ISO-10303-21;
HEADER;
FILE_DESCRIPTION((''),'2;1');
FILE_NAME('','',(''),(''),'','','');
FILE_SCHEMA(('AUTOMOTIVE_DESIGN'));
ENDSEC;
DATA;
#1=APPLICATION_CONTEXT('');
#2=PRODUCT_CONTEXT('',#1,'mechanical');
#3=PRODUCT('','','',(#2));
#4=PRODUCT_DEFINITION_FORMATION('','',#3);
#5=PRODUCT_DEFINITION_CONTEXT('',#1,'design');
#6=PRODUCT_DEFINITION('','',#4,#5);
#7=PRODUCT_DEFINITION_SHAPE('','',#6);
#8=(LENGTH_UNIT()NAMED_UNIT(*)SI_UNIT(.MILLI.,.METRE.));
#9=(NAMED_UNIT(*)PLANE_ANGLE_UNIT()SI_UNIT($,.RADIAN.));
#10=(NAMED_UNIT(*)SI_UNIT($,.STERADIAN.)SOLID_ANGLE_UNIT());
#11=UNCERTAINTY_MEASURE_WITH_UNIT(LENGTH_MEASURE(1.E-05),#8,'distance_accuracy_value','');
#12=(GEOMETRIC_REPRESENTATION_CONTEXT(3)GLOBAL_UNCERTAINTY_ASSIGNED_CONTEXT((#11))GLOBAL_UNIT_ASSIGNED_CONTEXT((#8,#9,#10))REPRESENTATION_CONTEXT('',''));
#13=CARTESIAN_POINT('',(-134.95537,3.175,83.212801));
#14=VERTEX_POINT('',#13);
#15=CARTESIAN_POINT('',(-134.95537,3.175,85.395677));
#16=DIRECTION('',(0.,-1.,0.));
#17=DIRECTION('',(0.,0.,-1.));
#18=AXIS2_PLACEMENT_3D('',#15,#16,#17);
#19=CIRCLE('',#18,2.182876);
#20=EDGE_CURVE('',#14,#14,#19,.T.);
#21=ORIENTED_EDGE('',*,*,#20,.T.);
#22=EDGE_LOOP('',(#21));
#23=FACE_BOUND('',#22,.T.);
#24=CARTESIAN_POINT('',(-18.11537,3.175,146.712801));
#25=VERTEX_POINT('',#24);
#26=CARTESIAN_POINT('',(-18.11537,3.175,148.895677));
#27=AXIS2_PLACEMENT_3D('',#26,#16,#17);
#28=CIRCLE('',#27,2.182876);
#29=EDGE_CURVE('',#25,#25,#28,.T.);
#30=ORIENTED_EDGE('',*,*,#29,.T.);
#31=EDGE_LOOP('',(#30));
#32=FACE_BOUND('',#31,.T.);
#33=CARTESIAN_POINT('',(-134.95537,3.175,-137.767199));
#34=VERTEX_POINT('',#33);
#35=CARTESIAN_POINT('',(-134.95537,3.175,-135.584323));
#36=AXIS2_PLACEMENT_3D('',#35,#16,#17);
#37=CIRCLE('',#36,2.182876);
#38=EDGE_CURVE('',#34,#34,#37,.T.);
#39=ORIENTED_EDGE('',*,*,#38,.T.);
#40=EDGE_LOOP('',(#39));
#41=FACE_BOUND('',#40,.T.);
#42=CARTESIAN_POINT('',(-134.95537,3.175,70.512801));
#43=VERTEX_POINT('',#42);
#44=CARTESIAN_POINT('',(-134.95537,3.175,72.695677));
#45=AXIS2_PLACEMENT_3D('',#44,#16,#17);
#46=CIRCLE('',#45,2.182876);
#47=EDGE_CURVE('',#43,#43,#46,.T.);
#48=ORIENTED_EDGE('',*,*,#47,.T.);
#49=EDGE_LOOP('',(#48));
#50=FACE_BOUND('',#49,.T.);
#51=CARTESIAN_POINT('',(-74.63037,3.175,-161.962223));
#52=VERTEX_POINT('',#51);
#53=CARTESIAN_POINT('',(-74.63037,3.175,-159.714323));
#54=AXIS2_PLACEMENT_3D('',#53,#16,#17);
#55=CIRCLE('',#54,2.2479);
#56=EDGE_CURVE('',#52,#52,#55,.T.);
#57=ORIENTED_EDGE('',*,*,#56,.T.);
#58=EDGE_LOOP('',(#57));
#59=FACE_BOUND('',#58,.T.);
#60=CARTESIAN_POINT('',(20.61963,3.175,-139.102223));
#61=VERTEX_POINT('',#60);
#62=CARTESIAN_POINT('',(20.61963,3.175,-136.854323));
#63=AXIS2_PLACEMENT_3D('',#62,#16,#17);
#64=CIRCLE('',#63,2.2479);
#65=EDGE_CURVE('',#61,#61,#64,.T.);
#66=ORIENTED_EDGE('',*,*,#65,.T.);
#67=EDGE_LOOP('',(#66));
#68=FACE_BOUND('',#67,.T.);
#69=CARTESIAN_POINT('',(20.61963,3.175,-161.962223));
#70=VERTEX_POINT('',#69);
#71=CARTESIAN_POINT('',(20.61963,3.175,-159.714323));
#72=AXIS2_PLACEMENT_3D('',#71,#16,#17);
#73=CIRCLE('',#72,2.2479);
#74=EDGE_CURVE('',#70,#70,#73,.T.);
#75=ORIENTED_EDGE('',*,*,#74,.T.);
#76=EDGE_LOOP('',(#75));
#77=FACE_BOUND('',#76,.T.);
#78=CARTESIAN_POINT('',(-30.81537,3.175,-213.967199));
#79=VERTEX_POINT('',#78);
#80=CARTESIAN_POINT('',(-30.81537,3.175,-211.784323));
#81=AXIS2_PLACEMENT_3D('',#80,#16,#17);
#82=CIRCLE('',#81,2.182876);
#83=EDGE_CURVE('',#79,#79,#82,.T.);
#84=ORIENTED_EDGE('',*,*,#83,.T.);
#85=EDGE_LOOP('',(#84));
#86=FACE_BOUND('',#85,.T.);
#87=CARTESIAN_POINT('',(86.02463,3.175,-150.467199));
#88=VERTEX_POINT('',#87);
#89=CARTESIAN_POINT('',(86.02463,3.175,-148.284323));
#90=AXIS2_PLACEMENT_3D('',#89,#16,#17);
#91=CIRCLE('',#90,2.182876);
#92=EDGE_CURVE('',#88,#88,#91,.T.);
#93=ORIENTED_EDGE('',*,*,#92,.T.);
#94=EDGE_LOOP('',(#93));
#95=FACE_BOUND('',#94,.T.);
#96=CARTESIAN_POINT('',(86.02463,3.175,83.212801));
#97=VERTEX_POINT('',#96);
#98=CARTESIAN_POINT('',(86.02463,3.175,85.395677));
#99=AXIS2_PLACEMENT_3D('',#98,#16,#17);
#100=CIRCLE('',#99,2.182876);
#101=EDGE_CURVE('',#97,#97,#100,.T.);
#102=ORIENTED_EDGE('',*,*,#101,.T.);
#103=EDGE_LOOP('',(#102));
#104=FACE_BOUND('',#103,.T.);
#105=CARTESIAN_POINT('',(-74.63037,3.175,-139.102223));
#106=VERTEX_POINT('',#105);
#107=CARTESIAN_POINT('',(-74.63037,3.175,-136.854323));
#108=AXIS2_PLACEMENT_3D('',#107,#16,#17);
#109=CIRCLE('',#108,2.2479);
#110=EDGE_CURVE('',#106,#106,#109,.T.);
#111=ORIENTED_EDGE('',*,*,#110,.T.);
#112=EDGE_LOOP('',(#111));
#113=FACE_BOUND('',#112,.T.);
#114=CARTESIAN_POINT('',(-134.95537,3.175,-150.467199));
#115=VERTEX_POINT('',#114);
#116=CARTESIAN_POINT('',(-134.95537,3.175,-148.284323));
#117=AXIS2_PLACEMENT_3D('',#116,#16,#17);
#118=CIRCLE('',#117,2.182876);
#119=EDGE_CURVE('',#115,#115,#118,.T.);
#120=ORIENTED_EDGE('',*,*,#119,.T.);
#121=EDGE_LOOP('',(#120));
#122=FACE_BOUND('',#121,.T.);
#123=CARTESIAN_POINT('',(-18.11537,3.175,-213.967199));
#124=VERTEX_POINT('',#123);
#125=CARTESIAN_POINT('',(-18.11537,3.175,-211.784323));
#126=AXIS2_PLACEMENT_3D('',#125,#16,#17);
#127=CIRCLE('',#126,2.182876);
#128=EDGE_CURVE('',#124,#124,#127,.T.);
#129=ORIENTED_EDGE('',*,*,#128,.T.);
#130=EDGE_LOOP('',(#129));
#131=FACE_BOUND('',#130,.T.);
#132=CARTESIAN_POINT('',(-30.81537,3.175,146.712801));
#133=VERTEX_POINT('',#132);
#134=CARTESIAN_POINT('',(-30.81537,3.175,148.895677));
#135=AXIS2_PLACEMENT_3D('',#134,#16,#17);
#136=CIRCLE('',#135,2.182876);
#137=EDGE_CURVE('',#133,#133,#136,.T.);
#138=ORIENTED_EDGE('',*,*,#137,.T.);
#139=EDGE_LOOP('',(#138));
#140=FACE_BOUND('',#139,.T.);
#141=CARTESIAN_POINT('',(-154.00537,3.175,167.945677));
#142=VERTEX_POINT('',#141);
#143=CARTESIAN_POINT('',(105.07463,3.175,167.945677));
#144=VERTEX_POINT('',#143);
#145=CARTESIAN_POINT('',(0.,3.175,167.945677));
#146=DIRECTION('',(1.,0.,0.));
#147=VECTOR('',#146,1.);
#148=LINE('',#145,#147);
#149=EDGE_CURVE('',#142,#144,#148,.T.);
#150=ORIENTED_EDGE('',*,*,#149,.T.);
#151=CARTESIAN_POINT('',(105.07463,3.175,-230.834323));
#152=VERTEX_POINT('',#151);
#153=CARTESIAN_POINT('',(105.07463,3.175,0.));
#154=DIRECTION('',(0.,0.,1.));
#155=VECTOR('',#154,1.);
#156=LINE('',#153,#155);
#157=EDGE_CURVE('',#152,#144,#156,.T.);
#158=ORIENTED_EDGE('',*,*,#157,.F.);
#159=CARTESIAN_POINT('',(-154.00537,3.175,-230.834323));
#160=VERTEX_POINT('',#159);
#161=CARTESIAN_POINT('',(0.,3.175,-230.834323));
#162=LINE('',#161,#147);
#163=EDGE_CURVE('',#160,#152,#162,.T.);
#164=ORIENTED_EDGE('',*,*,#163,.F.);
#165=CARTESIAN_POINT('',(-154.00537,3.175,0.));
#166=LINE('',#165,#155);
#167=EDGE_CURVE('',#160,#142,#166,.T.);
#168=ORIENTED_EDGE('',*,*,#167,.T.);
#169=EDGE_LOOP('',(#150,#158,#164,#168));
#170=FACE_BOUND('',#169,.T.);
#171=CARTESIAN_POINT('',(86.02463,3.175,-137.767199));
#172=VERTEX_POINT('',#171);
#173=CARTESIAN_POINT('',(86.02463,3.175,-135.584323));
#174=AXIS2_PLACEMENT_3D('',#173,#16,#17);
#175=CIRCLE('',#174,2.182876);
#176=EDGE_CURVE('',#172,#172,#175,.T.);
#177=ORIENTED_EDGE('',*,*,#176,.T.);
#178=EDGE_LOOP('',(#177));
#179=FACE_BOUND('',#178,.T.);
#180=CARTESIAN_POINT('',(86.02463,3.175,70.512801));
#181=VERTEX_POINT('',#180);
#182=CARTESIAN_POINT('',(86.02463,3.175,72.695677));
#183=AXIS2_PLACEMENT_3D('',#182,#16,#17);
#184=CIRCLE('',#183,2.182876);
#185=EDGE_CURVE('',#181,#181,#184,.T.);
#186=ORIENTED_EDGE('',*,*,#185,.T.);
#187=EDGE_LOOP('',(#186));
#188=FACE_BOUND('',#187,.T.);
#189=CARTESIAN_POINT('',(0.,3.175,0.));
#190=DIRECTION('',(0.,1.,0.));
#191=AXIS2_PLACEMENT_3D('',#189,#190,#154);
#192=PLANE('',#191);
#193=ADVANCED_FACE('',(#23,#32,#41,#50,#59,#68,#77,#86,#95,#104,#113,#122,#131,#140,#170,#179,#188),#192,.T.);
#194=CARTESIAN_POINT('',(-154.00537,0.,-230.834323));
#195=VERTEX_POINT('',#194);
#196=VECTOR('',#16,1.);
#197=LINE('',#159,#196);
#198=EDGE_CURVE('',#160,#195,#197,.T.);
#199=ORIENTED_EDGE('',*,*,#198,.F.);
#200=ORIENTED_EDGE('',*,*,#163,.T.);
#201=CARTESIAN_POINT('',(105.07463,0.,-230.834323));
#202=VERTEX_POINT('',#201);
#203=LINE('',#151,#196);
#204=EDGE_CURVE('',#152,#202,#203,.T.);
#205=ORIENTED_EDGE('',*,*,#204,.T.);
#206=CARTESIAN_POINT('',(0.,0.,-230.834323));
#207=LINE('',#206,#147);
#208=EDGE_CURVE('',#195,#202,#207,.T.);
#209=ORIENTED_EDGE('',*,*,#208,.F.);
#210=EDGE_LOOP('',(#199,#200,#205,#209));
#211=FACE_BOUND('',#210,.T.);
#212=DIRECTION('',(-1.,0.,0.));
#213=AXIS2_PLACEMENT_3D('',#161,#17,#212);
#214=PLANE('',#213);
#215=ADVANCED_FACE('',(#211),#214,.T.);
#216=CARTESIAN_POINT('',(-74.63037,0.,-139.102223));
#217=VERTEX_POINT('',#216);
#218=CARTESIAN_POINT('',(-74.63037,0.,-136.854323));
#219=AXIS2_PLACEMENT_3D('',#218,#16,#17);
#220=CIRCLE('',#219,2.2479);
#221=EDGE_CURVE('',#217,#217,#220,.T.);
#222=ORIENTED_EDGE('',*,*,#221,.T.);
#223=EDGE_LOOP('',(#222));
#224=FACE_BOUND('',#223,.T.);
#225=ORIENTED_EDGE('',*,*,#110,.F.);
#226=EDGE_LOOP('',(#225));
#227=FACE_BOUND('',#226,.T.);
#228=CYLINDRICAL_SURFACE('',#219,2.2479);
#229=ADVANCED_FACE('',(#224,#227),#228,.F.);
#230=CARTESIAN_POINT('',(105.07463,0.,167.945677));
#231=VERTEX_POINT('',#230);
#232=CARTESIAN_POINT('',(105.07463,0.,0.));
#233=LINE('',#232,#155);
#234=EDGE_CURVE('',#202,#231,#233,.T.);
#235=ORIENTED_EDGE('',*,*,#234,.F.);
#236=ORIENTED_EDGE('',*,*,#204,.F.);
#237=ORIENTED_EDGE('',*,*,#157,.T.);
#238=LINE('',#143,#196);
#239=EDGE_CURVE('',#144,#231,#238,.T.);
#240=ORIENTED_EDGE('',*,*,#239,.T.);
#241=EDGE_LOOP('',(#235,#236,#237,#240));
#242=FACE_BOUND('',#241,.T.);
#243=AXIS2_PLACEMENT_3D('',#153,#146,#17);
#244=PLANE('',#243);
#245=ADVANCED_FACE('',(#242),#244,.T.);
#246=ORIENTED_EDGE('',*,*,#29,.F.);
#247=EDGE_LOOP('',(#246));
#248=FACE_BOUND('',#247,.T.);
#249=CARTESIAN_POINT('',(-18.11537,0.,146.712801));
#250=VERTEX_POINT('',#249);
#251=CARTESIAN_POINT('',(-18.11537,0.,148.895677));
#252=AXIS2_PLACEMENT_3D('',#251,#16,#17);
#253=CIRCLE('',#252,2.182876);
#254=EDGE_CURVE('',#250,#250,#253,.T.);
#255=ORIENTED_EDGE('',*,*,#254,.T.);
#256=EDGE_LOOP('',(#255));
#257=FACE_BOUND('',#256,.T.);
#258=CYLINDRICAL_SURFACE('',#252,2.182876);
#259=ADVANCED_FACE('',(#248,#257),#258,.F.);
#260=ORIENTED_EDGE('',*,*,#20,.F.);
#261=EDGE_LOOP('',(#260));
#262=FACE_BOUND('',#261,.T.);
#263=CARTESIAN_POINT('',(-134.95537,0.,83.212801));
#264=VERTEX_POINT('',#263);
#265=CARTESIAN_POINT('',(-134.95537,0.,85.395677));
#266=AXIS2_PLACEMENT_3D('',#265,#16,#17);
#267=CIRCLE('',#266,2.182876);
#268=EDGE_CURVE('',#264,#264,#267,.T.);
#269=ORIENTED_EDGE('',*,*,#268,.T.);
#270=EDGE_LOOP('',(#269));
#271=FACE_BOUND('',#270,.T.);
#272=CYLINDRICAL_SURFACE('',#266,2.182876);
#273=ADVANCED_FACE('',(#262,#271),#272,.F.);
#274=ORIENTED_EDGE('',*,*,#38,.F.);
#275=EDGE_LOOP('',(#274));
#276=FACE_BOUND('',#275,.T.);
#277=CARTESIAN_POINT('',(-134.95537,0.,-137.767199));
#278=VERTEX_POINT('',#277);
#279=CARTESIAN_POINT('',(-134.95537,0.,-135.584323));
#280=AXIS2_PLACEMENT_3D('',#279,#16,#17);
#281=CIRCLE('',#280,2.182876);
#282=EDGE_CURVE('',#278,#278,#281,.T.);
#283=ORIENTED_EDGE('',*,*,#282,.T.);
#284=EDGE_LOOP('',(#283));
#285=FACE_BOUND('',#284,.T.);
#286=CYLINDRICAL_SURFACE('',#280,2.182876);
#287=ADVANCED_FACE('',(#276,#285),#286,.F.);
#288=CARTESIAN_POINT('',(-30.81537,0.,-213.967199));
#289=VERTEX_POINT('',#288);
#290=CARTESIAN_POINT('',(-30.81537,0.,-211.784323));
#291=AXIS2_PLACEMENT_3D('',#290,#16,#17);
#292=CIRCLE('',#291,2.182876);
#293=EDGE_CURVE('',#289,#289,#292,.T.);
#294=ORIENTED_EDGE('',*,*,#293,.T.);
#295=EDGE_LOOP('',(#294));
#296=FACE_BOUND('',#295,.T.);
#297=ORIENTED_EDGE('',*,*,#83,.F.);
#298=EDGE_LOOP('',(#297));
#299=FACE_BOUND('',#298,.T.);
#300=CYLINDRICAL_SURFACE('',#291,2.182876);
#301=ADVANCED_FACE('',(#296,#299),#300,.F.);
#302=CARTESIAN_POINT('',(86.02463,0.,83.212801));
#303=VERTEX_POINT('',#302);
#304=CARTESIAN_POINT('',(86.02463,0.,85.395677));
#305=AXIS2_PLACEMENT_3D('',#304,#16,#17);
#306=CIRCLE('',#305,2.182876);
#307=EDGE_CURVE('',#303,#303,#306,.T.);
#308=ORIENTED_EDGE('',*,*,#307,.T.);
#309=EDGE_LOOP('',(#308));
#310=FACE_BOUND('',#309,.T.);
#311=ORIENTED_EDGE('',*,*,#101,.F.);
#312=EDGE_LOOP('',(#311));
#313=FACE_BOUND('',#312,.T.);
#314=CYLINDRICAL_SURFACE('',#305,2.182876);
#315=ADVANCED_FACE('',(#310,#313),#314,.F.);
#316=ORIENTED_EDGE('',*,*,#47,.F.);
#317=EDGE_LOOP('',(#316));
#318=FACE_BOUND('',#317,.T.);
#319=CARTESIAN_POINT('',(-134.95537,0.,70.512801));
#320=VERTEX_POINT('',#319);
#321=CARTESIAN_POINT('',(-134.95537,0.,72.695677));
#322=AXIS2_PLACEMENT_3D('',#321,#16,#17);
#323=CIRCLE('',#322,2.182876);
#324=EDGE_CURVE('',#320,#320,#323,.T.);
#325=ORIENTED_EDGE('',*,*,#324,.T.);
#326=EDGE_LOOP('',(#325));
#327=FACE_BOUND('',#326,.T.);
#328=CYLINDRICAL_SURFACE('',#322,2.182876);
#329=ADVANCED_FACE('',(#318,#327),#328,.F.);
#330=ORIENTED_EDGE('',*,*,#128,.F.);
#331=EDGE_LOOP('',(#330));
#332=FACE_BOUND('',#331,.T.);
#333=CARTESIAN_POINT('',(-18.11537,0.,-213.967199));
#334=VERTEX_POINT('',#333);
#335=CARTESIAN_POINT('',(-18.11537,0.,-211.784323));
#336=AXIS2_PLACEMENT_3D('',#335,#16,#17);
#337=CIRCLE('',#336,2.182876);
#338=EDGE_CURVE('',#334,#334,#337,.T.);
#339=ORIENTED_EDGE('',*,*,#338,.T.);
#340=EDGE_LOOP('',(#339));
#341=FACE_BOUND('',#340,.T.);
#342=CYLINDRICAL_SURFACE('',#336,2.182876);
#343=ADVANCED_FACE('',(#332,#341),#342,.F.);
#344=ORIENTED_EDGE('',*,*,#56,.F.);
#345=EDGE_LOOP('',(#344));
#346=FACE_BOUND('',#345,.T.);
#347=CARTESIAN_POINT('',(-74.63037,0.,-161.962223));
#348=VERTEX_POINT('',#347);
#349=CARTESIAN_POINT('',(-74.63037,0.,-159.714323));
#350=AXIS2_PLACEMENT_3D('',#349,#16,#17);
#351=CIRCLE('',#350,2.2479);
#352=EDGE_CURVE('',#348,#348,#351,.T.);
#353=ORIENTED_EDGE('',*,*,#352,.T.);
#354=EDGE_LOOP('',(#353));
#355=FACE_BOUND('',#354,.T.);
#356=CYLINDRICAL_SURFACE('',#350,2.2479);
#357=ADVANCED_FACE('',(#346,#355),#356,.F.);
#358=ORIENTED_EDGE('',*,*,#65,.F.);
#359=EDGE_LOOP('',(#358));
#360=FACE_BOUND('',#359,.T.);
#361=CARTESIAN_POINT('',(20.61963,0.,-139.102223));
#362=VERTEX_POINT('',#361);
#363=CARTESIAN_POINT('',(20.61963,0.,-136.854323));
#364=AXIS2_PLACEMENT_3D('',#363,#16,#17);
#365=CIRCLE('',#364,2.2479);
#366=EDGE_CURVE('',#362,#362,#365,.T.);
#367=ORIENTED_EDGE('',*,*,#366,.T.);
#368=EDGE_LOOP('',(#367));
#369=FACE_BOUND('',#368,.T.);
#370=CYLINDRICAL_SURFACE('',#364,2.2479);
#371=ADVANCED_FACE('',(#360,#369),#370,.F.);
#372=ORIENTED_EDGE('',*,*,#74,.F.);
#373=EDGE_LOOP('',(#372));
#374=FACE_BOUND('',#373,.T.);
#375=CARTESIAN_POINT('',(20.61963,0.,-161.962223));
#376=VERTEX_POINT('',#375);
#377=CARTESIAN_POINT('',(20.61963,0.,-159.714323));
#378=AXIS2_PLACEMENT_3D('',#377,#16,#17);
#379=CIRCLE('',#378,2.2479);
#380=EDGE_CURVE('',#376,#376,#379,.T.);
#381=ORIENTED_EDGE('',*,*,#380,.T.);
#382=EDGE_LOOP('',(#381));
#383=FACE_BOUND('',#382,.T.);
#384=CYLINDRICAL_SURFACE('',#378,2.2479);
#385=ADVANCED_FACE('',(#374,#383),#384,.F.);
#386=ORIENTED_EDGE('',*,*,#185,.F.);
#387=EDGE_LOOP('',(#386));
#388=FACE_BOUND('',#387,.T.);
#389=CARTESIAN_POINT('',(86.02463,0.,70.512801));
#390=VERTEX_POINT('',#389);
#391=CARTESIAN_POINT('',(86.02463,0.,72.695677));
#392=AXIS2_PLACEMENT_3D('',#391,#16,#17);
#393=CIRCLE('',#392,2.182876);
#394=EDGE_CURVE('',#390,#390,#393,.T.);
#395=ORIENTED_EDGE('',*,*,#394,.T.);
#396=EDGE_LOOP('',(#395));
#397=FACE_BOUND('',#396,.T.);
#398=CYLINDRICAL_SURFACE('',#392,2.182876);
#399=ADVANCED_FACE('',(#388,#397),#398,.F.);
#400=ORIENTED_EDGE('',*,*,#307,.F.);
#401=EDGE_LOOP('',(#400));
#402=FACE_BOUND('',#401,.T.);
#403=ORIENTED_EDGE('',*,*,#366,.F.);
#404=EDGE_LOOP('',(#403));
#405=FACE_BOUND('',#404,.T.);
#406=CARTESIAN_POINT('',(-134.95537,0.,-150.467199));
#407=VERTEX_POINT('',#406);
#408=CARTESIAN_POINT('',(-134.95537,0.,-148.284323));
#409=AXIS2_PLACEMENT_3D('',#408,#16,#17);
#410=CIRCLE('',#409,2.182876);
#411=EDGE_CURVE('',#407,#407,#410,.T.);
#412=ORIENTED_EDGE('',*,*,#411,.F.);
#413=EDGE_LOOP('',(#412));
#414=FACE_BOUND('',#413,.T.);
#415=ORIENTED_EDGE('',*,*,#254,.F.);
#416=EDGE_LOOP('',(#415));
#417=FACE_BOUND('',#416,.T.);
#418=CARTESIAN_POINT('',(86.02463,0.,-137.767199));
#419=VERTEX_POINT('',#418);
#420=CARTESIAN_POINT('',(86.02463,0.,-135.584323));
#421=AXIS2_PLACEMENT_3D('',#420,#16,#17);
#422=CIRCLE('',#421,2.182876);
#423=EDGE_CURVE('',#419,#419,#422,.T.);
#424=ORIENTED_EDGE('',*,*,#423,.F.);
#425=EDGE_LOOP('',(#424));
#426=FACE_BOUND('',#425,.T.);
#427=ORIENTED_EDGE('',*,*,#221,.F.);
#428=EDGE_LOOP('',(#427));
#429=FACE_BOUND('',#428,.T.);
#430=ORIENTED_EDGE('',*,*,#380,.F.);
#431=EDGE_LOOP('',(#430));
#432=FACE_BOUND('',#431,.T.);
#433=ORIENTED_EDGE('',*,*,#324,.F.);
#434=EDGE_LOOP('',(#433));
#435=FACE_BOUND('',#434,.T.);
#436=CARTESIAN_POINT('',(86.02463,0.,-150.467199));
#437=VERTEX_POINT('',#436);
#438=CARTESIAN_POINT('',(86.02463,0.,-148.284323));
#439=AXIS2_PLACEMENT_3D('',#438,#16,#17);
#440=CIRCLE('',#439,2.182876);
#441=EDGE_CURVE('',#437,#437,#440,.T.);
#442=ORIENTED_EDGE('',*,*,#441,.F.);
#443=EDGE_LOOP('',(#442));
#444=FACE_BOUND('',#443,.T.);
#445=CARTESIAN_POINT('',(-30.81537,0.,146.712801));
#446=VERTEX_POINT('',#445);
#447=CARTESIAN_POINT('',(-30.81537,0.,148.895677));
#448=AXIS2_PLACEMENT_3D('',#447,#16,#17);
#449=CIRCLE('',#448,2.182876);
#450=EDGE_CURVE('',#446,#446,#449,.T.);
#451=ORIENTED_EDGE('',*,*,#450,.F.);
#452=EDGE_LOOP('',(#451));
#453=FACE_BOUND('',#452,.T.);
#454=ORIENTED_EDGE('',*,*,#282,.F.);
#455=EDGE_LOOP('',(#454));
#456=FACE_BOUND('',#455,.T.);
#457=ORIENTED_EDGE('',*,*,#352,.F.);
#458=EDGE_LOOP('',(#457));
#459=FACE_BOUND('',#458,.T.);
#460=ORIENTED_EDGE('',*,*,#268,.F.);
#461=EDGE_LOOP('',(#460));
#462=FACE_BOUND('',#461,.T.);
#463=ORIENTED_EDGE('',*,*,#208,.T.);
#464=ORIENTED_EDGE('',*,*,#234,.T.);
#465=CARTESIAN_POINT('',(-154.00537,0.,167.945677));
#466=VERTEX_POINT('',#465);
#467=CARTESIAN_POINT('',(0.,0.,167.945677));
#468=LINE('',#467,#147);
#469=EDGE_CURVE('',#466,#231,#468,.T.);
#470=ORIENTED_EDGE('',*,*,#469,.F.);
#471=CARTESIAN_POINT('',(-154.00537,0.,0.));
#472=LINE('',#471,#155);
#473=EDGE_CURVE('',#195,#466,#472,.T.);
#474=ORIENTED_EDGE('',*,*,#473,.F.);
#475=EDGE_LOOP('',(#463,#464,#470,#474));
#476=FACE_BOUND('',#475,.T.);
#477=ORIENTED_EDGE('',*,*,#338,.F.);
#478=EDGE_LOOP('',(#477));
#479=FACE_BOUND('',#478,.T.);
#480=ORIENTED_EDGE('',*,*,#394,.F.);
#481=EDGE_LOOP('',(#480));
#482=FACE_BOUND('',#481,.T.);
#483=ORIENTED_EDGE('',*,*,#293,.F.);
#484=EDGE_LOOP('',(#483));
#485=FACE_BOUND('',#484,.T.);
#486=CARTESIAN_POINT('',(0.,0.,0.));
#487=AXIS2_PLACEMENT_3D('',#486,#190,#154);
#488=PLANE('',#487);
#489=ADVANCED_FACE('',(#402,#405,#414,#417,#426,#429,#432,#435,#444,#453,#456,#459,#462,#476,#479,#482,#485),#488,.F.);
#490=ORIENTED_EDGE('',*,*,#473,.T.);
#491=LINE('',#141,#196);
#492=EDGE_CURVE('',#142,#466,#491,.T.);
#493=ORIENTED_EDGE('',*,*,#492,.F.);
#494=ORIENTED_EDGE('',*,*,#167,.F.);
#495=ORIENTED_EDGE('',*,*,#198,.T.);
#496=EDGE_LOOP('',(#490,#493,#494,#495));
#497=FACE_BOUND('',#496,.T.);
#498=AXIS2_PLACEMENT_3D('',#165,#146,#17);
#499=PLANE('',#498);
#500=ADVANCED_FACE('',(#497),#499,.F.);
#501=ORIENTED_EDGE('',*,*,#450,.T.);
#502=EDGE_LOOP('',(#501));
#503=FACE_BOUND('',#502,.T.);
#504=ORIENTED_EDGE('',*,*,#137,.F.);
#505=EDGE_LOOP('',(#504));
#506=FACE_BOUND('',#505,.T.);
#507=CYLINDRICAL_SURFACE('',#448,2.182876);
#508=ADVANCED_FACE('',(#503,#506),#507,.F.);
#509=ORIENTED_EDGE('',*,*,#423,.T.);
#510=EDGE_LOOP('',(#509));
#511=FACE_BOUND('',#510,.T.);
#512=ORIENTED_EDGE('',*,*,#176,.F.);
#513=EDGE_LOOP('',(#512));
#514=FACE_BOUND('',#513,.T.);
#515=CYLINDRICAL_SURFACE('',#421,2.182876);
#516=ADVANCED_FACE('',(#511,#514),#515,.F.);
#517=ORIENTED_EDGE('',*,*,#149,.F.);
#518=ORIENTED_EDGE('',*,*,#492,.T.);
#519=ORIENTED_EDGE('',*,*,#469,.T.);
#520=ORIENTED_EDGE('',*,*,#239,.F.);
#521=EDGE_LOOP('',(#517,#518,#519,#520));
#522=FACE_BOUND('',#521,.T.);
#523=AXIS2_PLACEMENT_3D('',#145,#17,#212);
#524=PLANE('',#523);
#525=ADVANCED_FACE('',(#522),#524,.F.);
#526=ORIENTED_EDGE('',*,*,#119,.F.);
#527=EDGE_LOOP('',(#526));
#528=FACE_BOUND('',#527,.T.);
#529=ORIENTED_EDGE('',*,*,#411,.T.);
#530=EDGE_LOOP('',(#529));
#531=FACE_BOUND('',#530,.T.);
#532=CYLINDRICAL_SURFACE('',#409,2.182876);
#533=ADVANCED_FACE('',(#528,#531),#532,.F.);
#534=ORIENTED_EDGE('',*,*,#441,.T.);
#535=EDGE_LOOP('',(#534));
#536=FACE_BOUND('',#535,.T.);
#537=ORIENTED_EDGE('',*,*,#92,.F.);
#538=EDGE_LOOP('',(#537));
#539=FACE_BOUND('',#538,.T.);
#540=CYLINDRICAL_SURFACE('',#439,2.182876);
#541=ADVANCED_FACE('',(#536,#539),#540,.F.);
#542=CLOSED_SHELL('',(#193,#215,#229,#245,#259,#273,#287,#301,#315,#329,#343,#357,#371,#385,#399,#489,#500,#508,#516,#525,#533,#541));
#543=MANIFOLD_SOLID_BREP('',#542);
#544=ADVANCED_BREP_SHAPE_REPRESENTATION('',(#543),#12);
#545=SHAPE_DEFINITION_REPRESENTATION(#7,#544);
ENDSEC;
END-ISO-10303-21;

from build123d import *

# Parameters (mm, degrees)
SKETCH1_W                        = 259.08
SKETCH1_H                        = 398.78
BOSS_EXTRUDE1_DEPTH              = 3.175
F_16_0_177_DIAMETER_HOLE1_D      = 4.4958
F_11_64_0_17188_DIAMETER_HOLE1_D = 4.365752


with BuildPart() as part:
    # Sketch1 → Boss-Extrude1 (new body)
    with BuildSketch(Plane(origin=(0, 0, 0), x_dir=(1, 0, 0), z_dir=(0, 1, 0))):
        with Locations((-24.465369934, 31.444323398)):
            Rectangle(SKETCH1_W, SKETCH1_H)
    extrude(amount=BOSS_EXTRUDE1_DEPTH)

    # #16 (0.177) Diameter Hole1 (through all)
    with Locations(Plane(origin=(0, 0, 0), x_dir=(-1, 0, 0), z_dir=(0, -1, 0))):
        with Locations((-20.619630066, 159.714323398), (-20.619630066, 136.854323398), (74.630369934, 136.854323398), (74.630369934, 159.714323398)):
            Hole(F_16_0_177_DIAMETER_HOLE1_D / 2)

    # 11/64 (0.17188) Diameter Hole1 (through all)
    with Locations(Plane(origin=(0, 0, 0), x_dir=(-1, 0, 0), z_dir=(0, -1, 0))):
        with Locations((-86.024630066, 148.284323398), (30.815369934, 211.784323398), (134.955369934, 148.284323398), (134.955369934, -85.395676602), (18.115369934, 211.784323398), (-86.024630066, -85.395676602), (134.955369934, -72.695676602), (134.955369934, 135.584323398), (-86.024630066, 135.584323398), (-86.024630066, -72.695676602), (18.115369934, -148.895676602), (30.815369934, -148.895676602)):
            Hole(F_11_64_0_17188_DIAMETER_HOLE1_D / 2)


solid = part.part
